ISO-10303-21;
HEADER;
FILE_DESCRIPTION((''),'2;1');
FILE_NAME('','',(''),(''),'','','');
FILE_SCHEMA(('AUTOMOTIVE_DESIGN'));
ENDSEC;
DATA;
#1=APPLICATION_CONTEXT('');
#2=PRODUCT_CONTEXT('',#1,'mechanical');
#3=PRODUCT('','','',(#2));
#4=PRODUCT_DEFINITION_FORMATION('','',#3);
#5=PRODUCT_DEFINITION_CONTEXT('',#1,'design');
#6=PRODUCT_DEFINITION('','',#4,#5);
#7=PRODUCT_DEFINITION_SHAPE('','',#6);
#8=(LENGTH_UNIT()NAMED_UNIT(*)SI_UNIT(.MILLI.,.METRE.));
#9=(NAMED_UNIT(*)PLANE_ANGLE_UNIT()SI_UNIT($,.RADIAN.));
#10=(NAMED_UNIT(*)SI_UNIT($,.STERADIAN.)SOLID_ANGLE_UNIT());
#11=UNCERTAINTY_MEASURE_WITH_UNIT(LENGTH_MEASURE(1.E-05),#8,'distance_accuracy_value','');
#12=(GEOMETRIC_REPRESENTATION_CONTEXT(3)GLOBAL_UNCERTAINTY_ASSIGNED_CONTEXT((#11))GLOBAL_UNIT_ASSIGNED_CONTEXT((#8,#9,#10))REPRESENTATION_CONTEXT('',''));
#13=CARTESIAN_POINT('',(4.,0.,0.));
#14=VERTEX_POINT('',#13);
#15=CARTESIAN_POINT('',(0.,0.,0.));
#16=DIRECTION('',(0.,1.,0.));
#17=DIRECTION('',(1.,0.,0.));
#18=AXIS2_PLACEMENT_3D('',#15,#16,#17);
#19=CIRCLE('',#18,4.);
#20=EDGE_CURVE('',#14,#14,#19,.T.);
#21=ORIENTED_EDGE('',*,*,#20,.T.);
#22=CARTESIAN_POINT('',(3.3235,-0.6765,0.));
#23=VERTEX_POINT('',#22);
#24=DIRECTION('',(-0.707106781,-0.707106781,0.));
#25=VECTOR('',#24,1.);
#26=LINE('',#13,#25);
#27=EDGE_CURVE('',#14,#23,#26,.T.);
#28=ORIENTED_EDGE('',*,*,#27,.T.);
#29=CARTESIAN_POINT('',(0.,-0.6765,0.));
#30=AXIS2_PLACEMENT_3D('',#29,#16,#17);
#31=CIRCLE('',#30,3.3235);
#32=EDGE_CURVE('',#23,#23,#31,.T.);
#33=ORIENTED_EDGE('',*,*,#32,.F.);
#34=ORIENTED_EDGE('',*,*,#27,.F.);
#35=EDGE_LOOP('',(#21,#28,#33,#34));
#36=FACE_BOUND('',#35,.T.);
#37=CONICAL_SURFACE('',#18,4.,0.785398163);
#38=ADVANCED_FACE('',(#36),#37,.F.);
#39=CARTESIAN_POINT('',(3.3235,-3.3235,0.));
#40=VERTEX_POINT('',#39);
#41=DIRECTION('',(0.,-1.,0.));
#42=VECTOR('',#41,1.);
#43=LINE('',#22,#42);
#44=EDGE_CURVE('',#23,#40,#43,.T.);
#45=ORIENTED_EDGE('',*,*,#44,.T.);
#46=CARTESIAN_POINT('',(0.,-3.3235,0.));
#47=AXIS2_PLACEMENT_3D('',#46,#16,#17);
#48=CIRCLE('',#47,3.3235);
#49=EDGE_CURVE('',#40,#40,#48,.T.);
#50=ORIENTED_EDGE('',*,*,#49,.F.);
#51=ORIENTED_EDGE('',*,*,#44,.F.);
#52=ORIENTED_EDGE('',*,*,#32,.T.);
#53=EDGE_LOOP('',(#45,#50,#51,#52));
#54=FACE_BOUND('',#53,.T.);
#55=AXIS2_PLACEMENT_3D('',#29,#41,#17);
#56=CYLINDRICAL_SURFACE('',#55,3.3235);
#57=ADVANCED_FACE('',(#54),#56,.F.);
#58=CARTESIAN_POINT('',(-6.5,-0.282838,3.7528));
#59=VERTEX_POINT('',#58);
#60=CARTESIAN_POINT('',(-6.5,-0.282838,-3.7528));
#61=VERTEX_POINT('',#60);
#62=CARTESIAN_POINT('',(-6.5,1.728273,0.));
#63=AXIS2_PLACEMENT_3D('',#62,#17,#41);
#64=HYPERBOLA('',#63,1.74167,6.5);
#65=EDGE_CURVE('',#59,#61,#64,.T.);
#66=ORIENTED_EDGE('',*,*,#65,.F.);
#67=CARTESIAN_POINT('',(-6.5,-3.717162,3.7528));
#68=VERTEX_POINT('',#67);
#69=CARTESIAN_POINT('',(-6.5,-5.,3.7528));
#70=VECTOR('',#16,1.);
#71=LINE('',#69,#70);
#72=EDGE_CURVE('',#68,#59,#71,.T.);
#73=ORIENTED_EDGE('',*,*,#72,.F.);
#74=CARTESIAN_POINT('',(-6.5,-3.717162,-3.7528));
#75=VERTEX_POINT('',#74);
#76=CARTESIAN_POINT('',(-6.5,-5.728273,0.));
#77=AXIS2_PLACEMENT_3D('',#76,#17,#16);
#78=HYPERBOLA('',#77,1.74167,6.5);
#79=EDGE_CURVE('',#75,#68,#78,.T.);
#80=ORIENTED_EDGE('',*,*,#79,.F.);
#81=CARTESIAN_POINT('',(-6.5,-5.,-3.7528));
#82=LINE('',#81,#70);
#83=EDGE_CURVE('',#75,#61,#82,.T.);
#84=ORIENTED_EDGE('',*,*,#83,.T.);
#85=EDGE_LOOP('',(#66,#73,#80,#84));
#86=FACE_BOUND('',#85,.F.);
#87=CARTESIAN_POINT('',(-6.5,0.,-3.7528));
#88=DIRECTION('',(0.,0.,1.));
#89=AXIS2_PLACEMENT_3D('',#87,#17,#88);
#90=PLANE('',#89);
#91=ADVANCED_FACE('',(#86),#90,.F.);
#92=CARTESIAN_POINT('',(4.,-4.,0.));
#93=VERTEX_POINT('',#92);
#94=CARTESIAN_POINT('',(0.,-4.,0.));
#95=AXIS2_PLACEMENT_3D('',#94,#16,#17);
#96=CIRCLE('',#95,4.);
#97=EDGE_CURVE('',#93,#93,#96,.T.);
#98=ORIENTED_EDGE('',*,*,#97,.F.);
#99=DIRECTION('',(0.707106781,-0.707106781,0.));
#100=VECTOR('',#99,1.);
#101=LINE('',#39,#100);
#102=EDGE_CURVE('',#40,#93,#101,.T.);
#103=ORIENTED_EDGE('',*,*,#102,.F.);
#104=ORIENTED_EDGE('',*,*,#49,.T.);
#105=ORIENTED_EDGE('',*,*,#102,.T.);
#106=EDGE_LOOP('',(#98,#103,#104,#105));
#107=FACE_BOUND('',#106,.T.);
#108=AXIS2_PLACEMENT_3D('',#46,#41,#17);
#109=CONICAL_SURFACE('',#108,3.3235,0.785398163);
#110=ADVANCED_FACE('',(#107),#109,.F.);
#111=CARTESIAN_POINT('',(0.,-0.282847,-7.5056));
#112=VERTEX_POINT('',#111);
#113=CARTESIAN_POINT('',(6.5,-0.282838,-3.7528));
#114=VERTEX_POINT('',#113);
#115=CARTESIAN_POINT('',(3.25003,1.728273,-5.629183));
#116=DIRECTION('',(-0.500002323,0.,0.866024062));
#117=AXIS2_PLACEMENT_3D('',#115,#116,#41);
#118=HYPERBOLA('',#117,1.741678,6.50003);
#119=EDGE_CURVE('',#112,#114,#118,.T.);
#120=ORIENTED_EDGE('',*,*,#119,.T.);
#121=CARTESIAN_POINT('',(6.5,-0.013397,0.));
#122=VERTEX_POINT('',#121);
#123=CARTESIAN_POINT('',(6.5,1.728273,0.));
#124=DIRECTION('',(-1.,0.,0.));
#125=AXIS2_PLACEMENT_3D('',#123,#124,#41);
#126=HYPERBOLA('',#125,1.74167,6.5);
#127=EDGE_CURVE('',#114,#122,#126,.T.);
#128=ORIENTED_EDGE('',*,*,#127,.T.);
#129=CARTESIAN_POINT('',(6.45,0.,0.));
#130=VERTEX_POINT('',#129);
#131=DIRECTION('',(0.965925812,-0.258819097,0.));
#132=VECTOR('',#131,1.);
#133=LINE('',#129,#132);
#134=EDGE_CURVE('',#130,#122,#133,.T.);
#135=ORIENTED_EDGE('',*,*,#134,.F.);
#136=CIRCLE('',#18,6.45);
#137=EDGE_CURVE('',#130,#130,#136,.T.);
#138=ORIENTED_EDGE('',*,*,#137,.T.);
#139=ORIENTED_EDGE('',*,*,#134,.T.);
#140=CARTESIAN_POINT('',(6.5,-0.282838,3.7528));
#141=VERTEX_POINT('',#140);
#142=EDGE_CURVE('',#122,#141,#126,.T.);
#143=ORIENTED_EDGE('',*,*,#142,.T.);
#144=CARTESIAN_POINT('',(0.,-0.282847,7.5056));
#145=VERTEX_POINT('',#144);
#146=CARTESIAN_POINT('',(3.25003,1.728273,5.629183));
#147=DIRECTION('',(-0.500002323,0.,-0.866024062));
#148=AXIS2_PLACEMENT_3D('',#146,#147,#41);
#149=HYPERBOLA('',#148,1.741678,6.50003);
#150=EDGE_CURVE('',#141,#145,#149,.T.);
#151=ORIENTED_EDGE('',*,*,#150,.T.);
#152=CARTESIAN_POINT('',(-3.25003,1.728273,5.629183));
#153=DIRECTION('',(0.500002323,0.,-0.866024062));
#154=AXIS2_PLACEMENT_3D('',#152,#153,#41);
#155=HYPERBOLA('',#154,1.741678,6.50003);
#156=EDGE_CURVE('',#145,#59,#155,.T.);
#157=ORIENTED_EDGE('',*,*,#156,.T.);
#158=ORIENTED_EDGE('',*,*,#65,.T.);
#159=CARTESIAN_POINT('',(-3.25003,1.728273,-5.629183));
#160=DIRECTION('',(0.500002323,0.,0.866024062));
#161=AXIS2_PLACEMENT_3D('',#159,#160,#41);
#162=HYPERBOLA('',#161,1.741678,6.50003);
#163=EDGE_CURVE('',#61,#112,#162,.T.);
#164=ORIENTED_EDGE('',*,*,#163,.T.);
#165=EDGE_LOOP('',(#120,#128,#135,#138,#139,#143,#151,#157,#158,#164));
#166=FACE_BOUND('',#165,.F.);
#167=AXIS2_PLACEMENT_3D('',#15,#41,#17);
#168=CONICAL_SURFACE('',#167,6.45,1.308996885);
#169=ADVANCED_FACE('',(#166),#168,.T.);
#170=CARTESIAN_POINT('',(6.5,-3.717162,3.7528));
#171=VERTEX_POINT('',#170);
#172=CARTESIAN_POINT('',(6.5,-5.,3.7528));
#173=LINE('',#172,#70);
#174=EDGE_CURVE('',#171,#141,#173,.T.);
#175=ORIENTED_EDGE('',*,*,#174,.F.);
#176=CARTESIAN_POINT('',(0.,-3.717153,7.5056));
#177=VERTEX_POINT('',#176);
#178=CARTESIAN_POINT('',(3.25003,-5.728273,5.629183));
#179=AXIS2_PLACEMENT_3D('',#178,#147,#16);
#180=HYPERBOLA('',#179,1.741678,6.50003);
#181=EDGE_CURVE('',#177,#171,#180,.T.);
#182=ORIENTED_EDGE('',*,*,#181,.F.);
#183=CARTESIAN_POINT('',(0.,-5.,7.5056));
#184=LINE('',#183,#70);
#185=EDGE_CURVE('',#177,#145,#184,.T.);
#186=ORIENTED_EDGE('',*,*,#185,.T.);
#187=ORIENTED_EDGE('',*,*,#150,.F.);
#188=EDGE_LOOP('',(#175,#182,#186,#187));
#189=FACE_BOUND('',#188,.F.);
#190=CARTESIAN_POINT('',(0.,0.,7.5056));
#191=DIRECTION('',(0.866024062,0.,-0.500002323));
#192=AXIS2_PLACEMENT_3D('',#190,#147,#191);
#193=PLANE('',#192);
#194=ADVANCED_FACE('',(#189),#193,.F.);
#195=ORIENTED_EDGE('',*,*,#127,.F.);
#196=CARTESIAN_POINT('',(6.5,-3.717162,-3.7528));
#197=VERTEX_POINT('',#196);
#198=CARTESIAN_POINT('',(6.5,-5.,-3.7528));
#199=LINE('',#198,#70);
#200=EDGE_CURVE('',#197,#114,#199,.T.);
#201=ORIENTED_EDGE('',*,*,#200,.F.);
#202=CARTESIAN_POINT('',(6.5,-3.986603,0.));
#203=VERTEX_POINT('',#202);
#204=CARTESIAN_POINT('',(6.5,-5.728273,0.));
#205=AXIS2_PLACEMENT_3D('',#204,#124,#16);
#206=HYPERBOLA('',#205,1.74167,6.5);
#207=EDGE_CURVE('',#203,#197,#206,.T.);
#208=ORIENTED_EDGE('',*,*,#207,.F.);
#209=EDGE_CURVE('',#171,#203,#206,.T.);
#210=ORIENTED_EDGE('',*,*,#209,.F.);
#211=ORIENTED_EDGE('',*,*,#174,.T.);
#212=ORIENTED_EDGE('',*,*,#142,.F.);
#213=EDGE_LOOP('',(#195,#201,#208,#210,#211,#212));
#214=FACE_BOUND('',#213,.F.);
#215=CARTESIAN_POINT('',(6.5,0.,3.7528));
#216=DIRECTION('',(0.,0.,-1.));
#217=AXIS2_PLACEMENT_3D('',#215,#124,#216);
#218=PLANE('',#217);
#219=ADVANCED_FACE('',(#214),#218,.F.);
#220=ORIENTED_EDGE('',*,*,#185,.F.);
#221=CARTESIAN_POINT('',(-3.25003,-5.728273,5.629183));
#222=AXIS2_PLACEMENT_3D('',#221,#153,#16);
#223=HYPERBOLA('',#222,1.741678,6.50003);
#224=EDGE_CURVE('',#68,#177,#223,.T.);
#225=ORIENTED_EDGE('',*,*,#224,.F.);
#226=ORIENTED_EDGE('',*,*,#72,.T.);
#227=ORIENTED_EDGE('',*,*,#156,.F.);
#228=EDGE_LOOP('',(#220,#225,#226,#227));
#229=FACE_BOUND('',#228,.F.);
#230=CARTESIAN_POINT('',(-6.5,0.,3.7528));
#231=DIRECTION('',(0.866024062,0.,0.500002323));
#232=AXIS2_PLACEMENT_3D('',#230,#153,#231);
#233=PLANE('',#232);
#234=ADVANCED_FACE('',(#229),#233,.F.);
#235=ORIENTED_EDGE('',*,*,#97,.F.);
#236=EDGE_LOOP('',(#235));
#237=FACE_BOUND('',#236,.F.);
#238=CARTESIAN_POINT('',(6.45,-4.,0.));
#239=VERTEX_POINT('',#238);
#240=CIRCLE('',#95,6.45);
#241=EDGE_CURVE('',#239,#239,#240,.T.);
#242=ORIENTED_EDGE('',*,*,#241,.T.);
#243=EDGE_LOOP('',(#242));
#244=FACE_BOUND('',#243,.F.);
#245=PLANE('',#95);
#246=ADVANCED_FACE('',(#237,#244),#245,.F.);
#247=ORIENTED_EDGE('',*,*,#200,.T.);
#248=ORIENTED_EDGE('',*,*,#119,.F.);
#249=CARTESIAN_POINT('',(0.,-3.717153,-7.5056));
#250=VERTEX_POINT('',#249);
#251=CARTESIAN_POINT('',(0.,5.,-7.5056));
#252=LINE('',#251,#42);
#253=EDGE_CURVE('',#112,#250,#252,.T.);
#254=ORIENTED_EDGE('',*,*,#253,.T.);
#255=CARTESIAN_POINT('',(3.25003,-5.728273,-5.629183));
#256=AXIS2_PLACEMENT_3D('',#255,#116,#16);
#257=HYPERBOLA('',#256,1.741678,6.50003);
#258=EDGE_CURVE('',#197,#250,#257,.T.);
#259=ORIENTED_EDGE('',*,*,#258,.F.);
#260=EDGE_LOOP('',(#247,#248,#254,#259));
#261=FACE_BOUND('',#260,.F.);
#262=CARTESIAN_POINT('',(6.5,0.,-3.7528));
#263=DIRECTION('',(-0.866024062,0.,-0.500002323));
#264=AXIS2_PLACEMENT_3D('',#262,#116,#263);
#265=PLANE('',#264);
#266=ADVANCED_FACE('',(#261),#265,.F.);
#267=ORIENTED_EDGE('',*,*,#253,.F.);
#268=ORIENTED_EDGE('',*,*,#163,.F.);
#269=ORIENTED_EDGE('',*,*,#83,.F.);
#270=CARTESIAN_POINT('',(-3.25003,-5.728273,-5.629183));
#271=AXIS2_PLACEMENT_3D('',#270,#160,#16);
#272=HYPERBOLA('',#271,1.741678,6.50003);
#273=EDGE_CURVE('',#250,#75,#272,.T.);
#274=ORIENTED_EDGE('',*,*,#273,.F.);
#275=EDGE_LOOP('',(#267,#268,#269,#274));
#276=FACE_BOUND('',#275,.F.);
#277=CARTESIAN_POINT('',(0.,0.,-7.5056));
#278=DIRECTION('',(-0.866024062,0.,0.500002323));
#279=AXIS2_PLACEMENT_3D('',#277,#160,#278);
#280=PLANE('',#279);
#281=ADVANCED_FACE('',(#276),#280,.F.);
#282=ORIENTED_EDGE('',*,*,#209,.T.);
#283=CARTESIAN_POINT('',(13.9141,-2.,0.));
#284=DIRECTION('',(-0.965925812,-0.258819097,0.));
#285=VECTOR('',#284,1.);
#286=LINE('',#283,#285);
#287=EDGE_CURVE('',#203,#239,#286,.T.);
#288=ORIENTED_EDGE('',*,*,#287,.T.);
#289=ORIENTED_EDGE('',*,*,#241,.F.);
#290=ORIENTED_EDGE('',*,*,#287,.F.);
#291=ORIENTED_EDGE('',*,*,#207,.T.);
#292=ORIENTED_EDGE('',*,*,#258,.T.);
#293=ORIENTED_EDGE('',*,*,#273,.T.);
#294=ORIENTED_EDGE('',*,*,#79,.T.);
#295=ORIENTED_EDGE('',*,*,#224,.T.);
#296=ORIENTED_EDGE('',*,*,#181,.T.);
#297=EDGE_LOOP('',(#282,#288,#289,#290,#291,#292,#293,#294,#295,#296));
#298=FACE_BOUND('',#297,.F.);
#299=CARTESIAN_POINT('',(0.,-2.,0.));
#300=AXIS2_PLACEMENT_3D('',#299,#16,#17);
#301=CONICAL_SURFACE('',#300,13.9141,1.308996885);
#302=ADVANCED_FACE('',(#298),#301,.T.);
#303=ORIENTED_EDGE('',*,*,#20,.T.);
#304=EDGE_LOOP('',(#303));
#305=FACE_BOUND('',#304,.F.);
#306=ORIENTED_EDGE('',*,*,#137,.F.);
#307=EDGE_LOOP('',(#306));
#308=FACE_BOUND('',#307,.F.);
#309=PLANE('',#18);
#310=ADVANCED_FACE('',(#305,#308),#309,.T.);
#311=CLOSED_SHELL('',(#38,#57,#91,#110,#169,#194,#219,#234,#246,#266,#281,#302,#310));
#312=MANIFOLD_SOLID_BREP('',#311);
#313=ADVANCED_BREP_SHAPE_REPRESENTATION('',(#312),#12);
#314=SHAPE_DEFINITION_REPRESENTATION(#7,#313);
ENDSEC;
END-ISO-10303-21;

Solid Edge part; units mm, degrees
sketch "Sketch1" plane through (0, 0, 0) normal (0, 0, 1) x (1, 0, 0)
  line L0 (0, 0) -> (6.45, 0)
  line L1 (6.45, 0) -> (13.9141, -2)
  line L2 (13.9141, -2) -> (6.45, -4)
  line L3 (6.45, -4) -> (0, -4)
  line L4 (0, -4) -> (0, 0)
revolve "RevolvedProtrusion1" add sketch "Sketch1" angle 360 about axis through (0, -4, 0) along (0, 1, 0)
sketch "Sketch2" plane through (0, 0, 0) normal (0, -1, 0) x (1, 0, 0)
  line L0 (-26, -26) -> (-26, 26)
  line L1 (-26, 26) -> (26, 26)
  line L2 (26, 26) -> (26, -26)
  line L3 (26, -26) -> (-26, -26)
  line L4 (-6.5, 3.7528) -> (0, 7.5056)
  line L5 (0, 7.5056) -> (6.5, 3.7528)
  line L6 (6.5, 3.7528) -> (6.5, -3.7528)
  line L7 (6.5, -3.7528) -> (0, -7.5056)
  line L8 (0, -7.5056) -> (-6.5, -3.7528)
  line L9 (-6.5, -3.7528) -> (-6.5, 3.7528)
extrude "ExtrudedCutout_1" cut sketch "Sketch2" against normal blind 5 and the other way blind 5
sketch "Sketch3" plane through (0, 0, 0) normal (0, 0, 1) x (1, 0, 0)
  line L0 (0, 0) -> (4, 0)
  line L1 (4, 0) -> (3.3235, -0.6765)
  line L2 (3.3235, -0.6765) -> (3.3235, -3.3235)
  line L3 (3.3235, -3.3235) -> (4, -4)
  line L4 (4, -4) -> (0, -4)
  line L5 (0, -4) -> (0, 0)
revolve "RevolvedCutout1" cut sketch "Sketch3" angle 360 about axis through (0, -4, 0) along (0, 1, 0)
cosmetic_thread "Thread_1" size "M8" thread depth 2.647
properties part number "DIN-439-B - M8(F)"
